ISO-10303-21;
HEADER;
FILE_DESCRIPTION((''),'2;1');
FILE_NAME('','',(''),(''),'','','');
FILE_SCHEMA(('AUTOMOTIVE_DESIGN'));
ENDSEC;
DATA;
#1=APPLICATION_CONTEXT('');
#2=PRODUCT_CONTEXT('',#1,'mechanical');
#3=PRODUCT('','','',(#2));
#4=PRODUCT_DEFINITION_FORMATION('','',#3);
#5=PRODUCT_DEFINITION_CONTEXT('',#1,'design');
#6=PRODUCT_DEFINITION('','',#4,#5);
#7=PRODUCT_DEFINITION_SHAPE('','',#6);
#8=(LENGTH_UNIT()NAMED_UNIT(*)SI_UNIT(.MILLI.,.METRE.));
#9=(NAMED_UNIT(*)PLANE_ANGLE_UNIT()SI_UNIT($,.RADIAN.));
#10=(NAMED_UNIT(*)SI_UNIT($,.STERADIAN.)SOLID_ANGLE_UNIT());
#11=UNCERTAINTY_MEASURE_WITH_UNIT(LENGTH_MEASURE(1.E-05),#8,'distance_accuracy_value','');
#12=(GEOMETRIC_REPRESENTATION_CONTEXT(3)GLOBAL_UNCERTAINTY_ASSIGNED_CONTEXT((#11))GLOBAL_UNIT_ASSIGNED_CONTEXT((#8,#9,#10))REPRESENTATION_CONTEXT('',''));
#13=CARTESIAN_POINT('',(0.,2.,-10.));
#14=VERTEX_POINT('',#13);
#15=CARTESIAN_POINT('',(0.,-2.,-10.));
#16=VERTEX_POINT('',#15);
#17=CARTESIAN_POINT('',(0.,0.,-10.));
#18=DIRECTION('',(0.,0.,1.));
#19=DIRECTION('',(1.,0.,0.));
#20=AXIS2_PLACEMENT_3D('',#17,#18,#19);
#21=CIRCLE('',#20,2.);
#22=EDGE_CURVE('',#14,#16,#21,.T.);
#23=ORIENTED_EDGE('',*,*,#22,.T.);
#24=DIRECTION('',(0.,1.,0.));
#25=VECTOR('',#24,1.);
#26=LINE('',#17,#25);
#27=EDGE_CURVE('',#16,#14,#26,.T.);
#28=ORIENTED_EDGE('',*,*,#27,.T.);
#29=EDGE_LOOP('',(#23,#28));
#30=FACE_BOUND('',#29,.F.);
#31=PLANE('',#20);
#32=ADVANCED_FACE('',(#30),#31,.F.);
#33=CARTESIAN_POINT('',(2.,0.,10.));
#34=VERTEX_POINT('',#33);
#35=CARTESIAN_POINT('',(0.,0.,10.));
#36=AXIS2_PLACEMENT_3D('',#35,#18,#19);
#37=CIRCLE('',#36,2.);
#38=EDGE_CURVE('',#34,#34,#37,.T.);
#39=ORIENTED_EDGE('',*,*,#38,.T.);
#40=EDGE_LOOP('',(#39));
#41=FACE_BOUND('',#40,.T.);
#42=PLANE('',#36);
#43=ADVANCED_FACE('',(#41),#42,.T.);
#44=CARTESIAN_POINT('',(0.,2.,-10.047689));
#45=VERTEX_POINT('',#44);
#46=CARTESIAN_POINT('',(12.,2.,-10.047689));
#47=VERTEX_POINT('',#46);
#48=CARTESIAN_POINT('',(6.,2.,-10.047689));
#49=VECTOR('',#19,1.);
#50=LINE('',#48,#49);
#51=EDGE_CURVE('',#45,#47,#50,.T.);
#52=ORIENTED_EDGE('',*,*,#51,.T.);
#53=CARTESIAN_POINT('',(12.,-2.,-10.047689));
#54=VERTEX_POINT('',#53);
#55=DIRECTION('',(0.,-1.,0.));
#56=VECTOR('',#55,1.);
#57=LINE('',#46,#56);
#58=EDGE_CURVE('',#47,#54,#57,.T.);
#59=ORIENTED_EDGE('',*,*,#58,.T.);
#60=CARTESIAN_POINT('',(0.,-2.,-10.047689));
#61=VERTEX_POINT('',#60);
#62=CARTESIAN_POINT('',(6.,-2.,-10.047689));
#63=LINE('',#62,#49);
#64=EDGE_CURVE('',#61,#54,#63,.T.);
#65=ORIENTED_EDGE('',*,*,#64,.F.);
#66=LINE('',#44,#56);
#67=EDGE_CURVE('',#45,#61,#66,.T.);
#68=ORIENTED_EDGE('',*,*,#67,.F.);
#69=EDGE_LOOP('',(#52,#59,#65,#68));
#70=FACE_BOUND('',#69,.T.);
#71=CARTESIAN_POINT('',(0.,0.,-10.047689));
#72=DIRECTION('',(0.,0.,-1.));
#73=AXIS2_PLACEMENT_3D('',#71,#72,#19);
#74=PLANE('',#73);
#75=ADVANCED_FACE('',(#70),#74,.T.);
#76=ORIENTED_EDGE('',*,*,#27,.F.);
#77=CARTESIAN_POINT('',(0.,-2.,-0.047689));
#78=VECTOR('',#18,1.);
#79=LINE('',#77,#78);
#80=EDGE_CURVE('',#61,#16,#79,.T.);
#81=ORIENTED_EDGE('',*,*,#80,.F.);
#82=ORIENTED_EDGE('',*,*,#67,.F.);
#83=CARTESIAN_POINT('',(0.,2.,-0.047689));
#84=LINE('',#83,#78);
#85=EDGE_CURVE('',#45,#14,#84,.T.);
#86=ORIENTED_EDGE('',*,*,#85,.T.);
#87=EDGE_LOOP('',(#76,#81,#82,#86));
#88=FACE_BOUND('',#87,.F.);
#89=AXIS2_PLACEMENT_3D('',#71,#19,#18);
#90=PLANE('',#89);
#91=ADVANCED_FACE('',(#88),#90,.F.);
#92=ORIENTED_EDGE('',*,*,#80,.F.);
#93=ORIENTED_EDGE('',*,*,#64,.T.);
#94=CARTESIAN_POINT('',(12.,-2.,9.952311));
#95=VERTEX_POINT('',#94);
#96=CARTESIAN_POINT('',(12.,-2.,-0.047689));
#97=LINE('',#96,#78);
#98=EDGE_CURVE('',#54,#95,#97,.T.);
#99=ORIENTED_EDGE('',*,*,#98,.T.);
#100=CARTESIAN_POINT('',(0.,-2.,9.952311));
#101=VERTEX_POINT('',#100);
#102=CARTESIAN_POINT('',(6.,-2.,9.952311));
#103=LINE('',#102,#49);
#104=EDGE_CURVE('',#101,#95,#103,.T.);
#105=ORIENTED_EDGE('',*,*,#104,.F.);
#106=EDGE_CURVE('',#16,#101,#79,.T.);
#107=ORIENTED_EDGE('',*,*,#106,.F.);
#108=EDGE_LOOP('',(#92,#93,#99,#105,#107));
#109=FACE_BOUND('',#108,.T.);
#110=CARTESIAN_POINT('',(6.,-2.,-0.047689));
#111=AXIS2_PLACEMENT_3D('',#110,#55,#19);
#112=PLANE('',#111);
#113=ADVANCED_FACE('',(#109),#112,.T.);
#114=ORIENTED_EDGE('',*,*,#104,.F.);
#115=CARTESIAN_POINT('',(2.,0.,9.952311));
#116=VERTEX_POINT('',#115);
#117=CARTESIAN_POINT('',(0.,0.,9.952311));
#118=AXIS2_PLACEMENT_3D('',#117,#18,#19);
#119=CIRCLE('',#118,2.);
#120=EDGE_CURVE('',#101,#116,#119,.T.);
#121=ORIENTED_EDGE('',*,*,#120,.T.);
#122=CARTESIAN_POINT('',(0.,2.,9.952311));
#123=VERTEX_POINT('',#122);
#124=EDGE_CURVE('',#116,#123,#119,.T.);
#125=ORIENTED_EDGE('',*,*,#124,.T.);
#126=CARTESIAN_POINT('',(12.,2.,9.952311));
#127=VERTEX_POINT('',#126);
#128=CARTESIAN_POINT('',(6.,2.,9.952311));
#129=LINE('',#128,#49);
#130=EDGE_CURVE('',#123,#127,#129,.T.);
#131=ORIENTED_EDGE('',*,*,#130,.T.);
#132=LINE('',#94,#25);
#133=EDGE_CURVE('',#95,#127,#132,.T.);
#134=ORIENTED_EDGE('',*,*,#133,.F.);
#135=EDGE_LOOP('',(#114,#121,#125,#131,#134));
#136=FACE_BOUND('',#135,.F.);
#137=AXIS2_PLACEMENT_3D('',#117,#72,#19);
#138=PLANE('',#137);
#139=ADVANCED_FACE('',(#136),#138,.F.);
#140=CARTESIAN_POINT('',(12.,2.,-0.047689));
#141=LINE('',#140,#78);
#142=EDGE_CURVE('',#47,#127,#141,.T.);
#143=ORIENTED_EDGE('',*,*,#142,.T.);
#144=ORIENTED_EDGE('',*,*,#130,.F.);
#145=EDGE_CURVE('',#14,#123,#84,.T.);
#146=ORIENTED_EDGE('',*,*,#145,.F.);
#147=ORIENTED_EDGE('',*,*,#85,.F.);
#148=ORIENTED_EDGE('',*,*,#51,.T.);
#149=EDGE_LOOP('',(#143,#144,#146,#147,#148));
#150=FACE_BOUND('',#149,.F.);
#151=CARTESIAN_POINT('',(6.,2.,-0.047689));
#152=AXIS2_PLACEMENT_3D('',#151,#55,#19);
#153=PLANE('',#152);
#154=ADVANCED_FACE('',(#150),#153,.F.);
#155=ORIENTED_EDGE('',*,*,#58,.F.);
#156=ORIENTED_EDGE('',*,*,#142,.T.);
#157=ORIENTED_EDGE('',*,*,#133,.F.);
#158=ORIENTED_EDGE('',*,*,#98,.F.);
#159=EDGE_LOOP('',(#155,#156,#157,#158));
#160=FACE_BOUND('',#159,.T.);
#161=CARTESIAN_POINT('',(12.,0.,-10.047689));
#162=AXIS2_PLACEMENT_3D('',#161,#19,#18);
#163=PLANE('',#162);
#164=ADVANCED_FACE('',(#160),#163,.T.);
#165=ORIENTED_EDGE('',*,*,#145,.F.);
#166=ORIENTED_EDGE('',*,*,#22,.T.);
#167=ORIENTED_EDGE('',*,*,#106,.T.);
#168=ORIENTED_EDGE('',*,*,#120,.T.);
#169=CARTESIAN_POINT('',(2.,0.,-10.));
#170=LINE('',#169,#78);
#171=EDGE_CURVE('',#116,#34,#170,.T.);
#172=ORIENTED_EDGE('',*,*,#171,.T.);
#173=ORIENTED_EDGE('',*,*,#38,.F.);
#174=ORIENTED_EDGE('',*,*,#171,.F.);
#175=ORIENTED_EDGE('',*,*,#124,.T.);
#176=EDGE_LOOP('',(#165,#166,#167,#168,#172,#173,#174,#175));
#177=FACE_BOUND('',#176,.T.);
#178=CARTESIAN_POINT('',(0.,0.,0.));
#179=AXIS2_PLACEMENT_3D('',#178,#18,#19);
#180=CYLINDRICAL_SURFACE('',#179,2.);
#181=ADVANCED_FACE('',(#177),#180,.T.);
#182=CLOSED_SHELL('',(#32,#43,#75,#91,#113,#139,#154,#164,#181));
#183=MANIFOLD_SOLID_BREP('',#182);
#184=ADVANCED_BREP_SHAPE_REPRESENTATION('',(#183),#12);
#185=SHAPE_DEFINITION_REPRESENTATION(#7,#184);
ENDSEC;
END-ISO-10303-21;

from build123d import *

# Parameters (mm, degrees)
F0_R     = 2
F1_DEPTH = 10
F2_W     = 12
F2_H     = 20
F3_DEPTH = 2


with BuildPart() as f1:
    # F0 (on Top) → F1 (new body, symmetric)
    with BuildSketch(Plane.XY):
        Circle(F0_R)
    extrude(amount=F1_DEPTH, both=True)

    # F2 (on Front) → F3 (join, symmetric)
    with BuildSketch(Plane.XZ):
        with Locations((6, -0.047689)):
            Rectangle(F2_W, F2_H)
    extrude(amount=F3_DEPTH, both=True)


solid = f1.part
